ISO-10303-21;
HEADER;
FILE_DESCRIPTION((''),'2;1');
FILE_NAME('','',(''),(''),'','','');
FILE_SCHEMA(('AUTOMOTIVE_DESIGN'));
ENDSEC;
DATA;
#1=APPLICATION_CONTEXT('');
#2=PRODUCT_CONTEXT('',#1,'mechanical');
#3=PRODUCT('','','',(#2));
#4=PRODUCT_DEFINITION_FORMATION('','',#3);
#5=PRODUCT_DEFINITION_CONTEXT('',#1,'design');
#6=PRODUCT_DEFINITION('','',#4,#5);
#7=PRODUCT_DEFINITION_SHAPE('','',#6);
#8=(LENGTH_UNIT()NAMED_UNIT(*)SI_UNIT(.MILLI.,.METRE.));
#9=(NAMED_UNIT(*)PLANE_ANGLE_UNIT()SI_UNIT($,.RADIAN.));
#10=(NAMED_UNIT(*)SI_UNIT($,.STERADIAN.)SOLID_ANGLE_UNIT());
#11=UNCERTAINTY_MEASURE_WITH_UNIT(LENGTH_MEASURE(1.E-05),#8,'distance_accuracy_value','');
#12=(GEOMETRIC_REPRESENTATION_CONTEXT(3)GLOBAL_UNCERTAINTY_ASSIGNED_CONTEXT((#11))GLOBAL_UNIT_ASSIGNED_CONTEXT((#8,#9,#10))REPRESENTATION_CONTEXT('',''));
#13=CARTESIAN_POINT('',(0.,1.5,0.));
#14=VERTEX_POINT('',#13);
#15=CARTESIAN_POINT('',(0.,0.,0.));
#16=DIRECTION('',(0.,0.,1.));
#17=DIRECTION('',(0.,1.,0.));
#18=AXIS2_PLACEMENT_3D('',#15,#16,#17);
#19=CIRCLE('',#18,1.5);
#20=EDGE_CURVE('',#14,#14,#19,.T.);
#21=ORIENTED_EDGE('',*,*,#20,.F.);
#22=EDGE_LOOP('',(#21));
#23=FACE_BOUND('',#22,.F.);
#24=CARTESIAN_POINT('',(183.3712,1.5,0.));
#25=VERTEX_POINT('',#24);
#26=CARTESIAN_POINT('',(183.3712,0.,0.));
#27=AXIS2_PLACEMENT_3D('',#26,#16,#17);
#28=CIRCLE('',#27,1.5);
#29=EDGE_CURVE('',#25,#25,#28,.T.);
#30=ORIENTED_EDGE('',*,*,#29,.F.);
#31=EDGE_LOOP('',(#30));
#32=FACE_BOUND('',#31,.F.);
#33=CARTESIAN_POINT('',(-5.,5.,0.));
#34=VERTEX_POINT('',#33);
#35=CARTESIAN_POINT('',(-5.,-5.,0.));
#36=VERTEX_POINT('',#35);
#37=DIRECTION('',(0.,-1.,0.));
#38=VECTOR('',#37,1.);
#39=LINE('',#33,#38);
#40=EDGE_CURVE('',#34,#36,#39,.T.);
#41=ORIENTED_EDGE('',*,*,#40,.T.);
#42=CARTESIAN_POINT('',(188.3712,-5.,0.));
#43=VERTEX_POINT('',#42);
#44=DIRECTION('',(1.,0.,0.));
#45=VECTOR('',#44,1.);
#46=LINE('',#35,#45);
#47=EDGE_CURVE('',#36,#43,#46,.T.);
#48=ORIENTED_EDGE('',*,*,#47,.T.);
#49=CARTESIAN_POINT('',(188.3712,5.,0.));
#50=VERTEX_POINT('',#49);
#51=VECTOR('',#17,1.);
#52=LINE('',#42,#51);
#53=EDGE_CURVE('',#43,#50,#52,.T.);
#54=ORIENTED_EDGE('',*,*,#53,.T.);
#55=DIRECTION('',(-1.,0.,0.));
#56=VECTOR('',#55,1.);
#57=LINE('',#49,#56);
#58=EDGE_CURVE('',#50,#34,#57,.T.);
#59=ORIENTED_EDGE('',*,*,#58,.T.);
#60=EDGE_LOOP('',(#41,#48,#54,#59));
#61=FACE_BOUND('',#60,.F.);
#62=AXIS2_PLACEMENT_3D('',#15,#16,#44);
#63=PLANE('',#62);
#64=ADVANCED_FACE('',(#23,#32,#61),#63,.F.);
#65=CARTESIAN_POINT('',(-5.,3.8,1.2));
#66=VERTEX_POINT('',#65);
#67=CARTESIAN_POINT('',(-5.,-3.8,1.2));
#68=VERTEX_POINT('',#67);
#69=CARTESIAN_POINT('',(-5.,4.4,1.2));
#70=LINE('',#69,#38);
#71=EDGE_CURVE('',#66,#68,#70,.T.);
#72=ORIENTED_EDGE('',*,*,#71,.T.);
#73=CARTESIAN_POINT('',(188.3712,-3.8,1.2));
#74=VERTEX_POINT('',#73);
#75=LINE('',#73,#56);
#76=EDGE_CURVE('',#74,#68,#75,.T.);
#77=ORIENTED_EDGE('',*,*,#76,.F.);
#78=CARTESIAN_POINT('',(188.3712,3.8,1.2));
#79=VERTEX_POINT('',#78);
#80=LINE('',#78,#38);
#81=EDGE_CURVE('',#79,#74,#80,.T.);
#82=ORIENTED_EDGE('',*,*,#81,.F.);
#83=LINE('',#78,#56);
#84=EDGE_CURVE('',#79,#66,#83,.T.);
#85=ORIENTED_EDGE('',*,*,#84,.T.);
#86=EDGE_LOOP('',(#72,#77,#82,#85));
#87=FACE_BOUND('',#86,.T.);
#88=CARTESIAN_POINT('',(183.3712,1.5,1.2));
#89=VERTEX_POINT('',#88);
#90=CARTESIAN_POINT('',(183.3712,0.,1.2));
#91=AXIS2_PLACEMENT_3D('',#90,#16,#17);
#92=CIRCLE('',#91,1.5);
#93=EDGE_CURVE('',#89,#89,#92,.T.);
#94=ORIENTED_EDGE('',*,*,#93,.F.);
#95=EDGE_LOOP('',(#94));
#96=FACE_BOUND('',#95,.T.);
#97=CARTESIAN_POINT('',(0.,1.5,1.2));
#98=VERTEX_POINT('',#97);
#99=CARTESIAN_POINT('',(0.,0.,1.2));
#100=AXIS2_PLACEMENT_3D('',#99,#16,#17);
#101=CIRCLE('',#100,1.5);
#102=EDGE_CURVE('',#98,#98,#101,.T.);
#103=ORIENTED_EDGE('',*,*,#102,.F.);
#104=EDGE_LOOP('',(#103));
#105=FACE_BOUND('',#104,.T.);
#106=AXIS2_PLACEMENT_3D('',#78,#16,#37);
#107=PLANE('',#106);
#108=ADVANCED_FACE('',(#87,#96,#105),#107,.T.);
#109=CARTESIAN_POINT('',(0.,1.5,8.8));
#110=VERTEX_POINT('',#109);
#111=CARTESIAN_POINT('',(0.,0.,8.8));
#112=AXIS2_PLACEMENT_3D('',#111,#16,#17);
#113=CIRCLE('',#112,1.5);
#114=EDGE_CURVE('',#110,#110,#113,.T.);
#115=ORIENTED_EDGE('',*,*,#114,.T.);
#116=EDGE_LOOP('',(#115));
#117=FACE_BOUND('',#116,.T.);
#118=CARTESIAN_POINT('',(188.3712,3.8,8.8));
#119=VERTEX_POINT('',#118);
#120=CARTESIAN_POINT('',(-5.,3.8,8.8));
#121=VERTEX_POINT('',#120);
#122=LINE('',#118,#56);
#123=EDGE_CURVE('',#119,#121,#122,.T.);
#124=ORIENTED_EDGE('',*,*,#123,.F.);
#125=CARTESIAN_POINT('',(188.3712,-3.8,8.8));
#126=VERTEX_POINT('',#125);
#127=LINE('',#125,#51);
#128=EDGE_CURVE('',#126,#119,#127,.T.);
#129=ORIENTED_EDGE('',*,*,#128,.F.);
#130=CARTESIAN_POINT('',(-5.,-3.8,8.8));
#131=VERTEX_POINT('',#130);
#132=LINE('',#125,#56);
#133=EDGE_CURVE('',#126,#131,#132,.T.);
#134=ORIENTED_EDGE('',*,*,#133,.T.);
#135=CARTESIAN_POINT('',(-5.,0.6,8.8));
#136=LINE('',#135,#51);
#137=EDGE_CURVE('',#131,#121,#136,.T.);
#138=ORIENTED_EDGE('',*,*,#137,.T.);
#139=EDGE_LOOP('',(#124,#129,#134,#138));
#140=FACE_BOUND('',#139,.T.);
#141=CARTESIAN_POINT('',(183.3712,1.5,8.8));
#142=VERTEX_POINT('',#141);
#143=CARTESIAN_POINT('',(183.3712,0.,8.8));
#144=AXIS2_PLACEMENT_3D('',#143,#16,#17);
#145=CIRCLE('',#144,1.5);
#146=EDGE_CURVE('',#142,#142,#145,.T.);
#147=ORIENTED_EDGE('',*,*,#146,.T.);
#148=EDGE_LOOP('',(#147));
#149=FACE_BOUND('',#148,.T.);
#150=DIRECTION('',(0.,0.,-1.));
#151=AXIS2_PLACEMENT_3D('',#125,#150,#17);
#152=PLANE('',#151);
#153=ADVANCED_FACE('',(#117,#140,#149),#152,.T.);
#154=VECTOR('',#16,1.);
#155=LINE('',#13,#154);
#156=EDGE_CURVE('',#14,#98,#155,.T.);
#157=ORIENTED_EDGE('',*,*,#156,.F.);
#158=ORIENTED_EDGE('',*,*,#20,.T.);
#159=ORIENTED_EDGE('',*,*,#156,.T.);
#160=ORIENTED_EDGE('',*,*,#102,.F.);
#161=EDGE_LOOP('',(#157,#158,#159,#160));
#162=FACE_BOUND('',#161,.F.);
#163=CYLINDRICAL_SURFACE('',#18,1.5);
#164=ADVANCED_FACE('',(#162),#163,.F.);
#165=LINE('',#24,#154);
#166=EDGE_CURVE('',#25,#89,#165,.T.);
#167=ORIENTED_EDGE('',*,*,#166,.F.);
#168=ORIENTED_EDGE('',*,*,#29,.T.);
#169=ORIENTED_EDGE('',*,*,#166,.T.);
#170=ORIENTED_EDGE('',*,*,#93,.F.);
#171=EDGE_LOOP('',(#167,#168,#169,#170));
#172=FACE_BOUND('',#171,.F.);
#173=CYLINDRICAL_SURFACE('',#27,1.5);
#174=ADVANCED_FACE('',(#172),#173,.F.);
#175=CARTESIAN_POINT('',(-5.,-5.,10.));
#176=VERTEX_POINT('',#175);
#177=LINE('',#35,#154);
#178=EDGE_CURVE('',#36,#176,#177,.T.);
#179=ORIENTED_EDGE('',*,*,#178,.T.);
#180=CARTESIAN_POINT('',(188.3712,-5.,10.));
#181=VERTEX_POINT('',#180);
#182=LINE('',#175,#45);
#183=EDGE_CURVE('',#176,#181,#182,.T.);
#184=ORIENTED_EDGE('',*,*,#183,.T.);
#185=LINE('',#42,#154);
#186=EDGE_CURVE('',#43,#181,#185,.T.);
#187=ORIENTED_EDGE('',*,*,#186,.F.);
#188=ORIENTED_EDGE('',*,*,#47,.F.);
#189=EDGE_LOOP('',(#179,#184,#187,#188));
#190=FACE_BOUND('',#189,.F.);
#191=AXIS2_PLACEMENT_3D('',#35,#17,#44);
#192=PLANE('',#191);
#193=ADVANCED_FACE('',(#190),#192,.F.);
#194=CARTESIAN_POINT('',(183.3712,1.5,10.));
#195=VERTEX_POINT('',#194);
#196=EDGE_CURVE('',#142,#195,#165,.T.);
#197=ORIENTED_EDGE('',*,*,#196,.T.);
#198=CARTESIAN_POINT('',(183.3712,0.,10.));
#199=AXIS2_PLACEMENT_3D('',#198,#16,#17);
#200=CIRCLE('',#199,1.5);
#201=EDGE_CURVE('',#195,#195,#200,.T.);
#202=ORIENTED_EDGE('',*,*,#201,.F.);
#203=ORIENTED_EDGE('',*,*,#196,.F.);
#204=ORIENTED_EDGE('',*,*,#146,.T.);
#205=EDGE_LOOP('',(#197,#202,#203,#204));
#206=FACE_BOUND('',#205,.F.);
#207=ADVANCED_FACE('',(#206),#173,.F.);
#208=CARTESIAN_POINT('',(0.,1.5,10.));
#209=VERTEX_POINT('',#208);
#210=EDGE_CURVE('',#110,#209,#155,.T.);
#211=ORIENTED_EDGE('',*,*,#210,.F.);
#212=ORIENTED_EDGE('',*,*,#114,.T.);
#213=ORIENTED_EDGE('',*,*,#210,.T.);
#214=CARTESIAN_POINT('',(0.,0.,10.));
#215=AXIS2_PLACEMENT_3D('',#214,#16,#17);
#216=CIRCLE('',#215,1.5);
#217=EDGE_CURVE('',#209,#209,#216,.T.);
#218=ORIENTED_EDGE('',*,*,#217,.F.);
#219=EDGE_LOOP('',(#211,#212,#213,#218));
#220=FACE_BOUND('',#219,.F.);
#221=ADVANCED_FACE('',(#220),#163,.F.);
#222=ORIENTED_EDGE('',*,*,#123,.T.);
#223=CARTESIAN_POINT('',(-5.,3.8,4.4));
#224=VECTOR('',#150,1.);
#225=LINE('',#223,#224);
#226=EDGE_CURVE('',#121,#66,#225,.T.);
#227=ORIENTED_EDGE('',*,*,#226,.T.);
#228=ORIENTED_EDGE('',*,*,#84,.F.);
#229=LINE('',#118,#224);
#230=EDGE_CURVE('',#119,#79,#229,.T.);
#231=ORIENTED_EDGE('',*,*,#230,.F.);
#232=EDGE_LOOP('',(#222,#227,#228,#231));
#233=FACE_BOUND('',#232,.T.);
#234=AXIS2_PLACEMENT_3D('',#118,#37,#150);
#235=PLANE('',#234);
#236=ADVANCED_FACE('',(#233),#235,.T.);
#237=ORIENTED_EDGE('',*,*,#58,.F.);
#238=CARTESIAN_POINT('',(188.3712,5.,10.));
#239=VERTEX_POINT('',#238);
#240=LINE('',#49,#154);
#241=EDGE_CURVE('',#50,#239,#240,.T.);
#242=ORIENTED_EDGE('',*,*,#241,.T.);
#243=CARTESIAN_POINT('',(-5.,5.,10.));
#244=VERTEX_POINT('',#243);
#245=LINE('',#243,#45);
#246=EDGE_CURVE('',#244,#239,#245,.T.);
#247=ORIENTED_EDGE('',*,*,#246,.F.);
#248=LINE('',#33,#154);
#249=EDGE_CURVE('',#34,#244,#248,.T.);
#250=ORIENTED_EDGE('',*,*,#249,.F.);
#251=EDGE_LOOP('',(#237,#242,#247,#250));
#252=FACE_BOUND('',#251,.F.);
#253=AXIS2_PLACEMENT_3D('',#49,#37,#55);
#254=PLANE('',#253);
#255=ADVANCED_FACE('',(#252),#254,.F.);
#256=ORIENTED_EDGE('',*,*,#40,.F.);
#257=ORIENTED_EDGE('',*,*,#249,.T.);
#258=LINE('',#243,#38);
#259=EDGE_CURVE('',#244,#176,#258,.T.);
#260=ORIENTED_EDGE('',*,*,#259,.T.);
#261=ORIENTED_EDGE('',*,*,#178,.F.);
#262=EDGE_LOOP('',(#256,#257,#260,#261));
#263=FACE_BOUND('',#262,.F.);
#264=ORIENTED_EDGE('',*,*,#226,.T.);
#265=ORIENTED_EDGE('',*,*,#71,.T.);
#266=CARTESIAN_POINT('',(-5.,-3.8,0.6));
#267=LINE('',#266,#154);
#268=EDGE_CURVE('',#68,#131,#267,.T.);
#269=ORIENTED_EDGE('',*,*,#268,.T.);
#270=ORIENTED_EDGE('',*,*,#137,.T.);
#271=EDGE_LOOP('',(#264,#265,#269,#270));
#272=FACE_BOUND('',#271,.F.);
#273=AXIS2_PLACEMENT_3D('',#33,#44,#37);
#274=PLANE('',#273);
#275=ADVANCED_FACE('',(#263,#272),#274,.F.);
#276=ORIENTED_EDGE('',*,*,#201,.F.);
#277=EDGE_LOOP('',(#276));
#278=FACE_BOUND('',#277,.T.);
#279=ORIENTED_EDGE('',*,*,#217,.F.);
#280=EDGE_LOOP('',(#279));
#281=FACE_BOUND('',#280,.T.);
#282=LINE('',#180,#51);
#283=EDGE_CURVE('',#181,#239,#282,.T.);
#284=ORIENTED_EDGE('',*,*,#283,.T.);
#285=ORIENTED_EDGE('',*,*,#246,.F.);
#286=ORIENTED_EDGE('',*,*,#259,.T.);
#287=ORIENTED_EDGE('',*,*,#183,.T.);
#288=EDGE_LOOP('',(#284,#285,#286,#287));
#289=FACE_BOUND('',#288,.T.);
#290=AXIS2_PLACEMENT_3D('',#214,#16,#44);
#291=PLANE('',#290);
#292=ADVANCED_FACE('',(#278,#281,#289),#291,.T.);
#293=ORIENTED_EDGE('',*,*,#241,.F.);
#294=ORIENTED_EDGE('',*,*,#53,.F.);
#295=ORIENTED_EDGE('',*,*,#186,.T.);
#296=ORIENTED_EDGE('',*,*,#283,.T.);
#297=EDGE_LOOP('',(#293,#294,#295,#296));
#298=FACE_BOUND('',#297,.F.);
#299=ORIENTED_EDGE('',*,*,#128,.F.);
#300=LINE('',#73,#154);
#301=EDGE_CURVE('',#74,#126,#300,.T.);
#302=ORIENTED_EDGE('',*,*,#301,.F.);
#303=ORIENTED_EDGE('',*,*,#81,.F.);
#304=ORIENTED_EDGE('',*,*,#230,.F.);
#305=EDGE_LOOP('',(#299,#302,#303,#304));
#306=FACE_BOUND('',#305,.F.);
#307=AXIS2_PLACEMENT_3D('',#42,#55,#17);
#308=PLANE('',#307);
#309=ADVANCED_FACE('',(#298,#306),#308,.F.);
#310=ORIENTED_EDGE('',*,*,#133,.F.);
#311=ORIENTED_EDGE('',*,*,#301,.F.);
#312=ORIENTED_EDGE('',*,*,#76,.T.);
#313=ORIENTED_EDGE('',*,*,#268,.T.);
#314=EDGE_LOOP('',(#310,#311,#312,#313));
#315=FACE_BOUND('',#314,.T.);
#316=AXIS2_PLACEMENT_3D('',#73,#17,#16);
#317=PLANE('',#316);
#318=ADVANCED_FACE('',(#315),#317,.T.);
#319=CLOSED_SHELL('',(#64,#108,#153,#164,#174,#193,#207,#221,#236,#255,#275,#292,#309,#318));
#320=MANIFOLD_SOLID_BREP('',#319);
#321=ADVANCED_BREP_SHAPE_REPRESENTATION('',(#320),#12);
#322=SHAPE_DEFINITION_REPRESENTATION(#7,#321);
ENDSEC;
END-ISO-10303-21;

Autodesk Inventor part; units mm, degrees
ref_plane "YZ Plane" through (0, 0, 0) normal (1, 0, 0) x (0, 1, 0)
ref_plane "XZ Plane" through (0, 0, 0) normal (0, 1, 0) x (-1, 0, 0)
ref_plane "XY Plane" through (0, 0, 0) normal (0, 0, 1) x (1, 0, 0)
sketch "スケッチ2" plane through (0, 0, 0) normal (0, 0, 1) x (1, 0, 0)
  line L0 (0, 0) -> (148.4693, 71.9851)
  line L1 (148.4693, 71.9851) -> (183.3712, 0)
  line L2 (0, 0) -> (183.3712, 0)
  line L3 (-5, -5) -> (188.3712, -5)
  line L4 (188.3712, -5) -> (188.3712, 5)
  line L5 (188.3712, 5) -> (-5, 5)
  line L6 (-5, 5) -> (-5, -5)
  dimension "d3" = 165
  dimension "d4" = 80
  dimension "d5" = 10
  dimension "d6" = 5
  dimension "d7" = 5
extrude "押し出し1" add sketch "スケッチ2" along normal blind 10 contours L2 L1 L5 L4 L3 L6 L0 | L0 L5 L1 L2
sketch "スケッチ3" plane through (188.3712, -5, 0) normal (1, 0, 0) x (0, 0, -1)
  line L0 (0, 0) -> (0, 10) projected
  line L1 (0, 10) -> (-10, 10) projected
  line L2 (-10, 0) -> (-10, 10) projected
  line L3 (0, 0) -> (-10, 0) projected
  line L4 (-8.8, 8.8) -> (-1.2, 8.8)
  line L5 (-1.2, 8.8) -> (-1.2, 1.2)
  line L6 (-1.2, 1.2) -> (-8.8, 1.2)
  line L7 (-8.8, 1.2) -> (-8.8, 8.8)
  point P0 (0, 5)
  dimension "d10" = 1.2
extrude "押し出し2" cut sketch "スケッチ3" against normal through all contours L4 L5 L6 L7
hole "穴1" at (0, 0, 0) at (183.3712, 0, 0) direction (0, 0, 1) diameter 3 end through all
properties part number "truss_1010_zegi" material "アルミニウム 6061-AHC"
